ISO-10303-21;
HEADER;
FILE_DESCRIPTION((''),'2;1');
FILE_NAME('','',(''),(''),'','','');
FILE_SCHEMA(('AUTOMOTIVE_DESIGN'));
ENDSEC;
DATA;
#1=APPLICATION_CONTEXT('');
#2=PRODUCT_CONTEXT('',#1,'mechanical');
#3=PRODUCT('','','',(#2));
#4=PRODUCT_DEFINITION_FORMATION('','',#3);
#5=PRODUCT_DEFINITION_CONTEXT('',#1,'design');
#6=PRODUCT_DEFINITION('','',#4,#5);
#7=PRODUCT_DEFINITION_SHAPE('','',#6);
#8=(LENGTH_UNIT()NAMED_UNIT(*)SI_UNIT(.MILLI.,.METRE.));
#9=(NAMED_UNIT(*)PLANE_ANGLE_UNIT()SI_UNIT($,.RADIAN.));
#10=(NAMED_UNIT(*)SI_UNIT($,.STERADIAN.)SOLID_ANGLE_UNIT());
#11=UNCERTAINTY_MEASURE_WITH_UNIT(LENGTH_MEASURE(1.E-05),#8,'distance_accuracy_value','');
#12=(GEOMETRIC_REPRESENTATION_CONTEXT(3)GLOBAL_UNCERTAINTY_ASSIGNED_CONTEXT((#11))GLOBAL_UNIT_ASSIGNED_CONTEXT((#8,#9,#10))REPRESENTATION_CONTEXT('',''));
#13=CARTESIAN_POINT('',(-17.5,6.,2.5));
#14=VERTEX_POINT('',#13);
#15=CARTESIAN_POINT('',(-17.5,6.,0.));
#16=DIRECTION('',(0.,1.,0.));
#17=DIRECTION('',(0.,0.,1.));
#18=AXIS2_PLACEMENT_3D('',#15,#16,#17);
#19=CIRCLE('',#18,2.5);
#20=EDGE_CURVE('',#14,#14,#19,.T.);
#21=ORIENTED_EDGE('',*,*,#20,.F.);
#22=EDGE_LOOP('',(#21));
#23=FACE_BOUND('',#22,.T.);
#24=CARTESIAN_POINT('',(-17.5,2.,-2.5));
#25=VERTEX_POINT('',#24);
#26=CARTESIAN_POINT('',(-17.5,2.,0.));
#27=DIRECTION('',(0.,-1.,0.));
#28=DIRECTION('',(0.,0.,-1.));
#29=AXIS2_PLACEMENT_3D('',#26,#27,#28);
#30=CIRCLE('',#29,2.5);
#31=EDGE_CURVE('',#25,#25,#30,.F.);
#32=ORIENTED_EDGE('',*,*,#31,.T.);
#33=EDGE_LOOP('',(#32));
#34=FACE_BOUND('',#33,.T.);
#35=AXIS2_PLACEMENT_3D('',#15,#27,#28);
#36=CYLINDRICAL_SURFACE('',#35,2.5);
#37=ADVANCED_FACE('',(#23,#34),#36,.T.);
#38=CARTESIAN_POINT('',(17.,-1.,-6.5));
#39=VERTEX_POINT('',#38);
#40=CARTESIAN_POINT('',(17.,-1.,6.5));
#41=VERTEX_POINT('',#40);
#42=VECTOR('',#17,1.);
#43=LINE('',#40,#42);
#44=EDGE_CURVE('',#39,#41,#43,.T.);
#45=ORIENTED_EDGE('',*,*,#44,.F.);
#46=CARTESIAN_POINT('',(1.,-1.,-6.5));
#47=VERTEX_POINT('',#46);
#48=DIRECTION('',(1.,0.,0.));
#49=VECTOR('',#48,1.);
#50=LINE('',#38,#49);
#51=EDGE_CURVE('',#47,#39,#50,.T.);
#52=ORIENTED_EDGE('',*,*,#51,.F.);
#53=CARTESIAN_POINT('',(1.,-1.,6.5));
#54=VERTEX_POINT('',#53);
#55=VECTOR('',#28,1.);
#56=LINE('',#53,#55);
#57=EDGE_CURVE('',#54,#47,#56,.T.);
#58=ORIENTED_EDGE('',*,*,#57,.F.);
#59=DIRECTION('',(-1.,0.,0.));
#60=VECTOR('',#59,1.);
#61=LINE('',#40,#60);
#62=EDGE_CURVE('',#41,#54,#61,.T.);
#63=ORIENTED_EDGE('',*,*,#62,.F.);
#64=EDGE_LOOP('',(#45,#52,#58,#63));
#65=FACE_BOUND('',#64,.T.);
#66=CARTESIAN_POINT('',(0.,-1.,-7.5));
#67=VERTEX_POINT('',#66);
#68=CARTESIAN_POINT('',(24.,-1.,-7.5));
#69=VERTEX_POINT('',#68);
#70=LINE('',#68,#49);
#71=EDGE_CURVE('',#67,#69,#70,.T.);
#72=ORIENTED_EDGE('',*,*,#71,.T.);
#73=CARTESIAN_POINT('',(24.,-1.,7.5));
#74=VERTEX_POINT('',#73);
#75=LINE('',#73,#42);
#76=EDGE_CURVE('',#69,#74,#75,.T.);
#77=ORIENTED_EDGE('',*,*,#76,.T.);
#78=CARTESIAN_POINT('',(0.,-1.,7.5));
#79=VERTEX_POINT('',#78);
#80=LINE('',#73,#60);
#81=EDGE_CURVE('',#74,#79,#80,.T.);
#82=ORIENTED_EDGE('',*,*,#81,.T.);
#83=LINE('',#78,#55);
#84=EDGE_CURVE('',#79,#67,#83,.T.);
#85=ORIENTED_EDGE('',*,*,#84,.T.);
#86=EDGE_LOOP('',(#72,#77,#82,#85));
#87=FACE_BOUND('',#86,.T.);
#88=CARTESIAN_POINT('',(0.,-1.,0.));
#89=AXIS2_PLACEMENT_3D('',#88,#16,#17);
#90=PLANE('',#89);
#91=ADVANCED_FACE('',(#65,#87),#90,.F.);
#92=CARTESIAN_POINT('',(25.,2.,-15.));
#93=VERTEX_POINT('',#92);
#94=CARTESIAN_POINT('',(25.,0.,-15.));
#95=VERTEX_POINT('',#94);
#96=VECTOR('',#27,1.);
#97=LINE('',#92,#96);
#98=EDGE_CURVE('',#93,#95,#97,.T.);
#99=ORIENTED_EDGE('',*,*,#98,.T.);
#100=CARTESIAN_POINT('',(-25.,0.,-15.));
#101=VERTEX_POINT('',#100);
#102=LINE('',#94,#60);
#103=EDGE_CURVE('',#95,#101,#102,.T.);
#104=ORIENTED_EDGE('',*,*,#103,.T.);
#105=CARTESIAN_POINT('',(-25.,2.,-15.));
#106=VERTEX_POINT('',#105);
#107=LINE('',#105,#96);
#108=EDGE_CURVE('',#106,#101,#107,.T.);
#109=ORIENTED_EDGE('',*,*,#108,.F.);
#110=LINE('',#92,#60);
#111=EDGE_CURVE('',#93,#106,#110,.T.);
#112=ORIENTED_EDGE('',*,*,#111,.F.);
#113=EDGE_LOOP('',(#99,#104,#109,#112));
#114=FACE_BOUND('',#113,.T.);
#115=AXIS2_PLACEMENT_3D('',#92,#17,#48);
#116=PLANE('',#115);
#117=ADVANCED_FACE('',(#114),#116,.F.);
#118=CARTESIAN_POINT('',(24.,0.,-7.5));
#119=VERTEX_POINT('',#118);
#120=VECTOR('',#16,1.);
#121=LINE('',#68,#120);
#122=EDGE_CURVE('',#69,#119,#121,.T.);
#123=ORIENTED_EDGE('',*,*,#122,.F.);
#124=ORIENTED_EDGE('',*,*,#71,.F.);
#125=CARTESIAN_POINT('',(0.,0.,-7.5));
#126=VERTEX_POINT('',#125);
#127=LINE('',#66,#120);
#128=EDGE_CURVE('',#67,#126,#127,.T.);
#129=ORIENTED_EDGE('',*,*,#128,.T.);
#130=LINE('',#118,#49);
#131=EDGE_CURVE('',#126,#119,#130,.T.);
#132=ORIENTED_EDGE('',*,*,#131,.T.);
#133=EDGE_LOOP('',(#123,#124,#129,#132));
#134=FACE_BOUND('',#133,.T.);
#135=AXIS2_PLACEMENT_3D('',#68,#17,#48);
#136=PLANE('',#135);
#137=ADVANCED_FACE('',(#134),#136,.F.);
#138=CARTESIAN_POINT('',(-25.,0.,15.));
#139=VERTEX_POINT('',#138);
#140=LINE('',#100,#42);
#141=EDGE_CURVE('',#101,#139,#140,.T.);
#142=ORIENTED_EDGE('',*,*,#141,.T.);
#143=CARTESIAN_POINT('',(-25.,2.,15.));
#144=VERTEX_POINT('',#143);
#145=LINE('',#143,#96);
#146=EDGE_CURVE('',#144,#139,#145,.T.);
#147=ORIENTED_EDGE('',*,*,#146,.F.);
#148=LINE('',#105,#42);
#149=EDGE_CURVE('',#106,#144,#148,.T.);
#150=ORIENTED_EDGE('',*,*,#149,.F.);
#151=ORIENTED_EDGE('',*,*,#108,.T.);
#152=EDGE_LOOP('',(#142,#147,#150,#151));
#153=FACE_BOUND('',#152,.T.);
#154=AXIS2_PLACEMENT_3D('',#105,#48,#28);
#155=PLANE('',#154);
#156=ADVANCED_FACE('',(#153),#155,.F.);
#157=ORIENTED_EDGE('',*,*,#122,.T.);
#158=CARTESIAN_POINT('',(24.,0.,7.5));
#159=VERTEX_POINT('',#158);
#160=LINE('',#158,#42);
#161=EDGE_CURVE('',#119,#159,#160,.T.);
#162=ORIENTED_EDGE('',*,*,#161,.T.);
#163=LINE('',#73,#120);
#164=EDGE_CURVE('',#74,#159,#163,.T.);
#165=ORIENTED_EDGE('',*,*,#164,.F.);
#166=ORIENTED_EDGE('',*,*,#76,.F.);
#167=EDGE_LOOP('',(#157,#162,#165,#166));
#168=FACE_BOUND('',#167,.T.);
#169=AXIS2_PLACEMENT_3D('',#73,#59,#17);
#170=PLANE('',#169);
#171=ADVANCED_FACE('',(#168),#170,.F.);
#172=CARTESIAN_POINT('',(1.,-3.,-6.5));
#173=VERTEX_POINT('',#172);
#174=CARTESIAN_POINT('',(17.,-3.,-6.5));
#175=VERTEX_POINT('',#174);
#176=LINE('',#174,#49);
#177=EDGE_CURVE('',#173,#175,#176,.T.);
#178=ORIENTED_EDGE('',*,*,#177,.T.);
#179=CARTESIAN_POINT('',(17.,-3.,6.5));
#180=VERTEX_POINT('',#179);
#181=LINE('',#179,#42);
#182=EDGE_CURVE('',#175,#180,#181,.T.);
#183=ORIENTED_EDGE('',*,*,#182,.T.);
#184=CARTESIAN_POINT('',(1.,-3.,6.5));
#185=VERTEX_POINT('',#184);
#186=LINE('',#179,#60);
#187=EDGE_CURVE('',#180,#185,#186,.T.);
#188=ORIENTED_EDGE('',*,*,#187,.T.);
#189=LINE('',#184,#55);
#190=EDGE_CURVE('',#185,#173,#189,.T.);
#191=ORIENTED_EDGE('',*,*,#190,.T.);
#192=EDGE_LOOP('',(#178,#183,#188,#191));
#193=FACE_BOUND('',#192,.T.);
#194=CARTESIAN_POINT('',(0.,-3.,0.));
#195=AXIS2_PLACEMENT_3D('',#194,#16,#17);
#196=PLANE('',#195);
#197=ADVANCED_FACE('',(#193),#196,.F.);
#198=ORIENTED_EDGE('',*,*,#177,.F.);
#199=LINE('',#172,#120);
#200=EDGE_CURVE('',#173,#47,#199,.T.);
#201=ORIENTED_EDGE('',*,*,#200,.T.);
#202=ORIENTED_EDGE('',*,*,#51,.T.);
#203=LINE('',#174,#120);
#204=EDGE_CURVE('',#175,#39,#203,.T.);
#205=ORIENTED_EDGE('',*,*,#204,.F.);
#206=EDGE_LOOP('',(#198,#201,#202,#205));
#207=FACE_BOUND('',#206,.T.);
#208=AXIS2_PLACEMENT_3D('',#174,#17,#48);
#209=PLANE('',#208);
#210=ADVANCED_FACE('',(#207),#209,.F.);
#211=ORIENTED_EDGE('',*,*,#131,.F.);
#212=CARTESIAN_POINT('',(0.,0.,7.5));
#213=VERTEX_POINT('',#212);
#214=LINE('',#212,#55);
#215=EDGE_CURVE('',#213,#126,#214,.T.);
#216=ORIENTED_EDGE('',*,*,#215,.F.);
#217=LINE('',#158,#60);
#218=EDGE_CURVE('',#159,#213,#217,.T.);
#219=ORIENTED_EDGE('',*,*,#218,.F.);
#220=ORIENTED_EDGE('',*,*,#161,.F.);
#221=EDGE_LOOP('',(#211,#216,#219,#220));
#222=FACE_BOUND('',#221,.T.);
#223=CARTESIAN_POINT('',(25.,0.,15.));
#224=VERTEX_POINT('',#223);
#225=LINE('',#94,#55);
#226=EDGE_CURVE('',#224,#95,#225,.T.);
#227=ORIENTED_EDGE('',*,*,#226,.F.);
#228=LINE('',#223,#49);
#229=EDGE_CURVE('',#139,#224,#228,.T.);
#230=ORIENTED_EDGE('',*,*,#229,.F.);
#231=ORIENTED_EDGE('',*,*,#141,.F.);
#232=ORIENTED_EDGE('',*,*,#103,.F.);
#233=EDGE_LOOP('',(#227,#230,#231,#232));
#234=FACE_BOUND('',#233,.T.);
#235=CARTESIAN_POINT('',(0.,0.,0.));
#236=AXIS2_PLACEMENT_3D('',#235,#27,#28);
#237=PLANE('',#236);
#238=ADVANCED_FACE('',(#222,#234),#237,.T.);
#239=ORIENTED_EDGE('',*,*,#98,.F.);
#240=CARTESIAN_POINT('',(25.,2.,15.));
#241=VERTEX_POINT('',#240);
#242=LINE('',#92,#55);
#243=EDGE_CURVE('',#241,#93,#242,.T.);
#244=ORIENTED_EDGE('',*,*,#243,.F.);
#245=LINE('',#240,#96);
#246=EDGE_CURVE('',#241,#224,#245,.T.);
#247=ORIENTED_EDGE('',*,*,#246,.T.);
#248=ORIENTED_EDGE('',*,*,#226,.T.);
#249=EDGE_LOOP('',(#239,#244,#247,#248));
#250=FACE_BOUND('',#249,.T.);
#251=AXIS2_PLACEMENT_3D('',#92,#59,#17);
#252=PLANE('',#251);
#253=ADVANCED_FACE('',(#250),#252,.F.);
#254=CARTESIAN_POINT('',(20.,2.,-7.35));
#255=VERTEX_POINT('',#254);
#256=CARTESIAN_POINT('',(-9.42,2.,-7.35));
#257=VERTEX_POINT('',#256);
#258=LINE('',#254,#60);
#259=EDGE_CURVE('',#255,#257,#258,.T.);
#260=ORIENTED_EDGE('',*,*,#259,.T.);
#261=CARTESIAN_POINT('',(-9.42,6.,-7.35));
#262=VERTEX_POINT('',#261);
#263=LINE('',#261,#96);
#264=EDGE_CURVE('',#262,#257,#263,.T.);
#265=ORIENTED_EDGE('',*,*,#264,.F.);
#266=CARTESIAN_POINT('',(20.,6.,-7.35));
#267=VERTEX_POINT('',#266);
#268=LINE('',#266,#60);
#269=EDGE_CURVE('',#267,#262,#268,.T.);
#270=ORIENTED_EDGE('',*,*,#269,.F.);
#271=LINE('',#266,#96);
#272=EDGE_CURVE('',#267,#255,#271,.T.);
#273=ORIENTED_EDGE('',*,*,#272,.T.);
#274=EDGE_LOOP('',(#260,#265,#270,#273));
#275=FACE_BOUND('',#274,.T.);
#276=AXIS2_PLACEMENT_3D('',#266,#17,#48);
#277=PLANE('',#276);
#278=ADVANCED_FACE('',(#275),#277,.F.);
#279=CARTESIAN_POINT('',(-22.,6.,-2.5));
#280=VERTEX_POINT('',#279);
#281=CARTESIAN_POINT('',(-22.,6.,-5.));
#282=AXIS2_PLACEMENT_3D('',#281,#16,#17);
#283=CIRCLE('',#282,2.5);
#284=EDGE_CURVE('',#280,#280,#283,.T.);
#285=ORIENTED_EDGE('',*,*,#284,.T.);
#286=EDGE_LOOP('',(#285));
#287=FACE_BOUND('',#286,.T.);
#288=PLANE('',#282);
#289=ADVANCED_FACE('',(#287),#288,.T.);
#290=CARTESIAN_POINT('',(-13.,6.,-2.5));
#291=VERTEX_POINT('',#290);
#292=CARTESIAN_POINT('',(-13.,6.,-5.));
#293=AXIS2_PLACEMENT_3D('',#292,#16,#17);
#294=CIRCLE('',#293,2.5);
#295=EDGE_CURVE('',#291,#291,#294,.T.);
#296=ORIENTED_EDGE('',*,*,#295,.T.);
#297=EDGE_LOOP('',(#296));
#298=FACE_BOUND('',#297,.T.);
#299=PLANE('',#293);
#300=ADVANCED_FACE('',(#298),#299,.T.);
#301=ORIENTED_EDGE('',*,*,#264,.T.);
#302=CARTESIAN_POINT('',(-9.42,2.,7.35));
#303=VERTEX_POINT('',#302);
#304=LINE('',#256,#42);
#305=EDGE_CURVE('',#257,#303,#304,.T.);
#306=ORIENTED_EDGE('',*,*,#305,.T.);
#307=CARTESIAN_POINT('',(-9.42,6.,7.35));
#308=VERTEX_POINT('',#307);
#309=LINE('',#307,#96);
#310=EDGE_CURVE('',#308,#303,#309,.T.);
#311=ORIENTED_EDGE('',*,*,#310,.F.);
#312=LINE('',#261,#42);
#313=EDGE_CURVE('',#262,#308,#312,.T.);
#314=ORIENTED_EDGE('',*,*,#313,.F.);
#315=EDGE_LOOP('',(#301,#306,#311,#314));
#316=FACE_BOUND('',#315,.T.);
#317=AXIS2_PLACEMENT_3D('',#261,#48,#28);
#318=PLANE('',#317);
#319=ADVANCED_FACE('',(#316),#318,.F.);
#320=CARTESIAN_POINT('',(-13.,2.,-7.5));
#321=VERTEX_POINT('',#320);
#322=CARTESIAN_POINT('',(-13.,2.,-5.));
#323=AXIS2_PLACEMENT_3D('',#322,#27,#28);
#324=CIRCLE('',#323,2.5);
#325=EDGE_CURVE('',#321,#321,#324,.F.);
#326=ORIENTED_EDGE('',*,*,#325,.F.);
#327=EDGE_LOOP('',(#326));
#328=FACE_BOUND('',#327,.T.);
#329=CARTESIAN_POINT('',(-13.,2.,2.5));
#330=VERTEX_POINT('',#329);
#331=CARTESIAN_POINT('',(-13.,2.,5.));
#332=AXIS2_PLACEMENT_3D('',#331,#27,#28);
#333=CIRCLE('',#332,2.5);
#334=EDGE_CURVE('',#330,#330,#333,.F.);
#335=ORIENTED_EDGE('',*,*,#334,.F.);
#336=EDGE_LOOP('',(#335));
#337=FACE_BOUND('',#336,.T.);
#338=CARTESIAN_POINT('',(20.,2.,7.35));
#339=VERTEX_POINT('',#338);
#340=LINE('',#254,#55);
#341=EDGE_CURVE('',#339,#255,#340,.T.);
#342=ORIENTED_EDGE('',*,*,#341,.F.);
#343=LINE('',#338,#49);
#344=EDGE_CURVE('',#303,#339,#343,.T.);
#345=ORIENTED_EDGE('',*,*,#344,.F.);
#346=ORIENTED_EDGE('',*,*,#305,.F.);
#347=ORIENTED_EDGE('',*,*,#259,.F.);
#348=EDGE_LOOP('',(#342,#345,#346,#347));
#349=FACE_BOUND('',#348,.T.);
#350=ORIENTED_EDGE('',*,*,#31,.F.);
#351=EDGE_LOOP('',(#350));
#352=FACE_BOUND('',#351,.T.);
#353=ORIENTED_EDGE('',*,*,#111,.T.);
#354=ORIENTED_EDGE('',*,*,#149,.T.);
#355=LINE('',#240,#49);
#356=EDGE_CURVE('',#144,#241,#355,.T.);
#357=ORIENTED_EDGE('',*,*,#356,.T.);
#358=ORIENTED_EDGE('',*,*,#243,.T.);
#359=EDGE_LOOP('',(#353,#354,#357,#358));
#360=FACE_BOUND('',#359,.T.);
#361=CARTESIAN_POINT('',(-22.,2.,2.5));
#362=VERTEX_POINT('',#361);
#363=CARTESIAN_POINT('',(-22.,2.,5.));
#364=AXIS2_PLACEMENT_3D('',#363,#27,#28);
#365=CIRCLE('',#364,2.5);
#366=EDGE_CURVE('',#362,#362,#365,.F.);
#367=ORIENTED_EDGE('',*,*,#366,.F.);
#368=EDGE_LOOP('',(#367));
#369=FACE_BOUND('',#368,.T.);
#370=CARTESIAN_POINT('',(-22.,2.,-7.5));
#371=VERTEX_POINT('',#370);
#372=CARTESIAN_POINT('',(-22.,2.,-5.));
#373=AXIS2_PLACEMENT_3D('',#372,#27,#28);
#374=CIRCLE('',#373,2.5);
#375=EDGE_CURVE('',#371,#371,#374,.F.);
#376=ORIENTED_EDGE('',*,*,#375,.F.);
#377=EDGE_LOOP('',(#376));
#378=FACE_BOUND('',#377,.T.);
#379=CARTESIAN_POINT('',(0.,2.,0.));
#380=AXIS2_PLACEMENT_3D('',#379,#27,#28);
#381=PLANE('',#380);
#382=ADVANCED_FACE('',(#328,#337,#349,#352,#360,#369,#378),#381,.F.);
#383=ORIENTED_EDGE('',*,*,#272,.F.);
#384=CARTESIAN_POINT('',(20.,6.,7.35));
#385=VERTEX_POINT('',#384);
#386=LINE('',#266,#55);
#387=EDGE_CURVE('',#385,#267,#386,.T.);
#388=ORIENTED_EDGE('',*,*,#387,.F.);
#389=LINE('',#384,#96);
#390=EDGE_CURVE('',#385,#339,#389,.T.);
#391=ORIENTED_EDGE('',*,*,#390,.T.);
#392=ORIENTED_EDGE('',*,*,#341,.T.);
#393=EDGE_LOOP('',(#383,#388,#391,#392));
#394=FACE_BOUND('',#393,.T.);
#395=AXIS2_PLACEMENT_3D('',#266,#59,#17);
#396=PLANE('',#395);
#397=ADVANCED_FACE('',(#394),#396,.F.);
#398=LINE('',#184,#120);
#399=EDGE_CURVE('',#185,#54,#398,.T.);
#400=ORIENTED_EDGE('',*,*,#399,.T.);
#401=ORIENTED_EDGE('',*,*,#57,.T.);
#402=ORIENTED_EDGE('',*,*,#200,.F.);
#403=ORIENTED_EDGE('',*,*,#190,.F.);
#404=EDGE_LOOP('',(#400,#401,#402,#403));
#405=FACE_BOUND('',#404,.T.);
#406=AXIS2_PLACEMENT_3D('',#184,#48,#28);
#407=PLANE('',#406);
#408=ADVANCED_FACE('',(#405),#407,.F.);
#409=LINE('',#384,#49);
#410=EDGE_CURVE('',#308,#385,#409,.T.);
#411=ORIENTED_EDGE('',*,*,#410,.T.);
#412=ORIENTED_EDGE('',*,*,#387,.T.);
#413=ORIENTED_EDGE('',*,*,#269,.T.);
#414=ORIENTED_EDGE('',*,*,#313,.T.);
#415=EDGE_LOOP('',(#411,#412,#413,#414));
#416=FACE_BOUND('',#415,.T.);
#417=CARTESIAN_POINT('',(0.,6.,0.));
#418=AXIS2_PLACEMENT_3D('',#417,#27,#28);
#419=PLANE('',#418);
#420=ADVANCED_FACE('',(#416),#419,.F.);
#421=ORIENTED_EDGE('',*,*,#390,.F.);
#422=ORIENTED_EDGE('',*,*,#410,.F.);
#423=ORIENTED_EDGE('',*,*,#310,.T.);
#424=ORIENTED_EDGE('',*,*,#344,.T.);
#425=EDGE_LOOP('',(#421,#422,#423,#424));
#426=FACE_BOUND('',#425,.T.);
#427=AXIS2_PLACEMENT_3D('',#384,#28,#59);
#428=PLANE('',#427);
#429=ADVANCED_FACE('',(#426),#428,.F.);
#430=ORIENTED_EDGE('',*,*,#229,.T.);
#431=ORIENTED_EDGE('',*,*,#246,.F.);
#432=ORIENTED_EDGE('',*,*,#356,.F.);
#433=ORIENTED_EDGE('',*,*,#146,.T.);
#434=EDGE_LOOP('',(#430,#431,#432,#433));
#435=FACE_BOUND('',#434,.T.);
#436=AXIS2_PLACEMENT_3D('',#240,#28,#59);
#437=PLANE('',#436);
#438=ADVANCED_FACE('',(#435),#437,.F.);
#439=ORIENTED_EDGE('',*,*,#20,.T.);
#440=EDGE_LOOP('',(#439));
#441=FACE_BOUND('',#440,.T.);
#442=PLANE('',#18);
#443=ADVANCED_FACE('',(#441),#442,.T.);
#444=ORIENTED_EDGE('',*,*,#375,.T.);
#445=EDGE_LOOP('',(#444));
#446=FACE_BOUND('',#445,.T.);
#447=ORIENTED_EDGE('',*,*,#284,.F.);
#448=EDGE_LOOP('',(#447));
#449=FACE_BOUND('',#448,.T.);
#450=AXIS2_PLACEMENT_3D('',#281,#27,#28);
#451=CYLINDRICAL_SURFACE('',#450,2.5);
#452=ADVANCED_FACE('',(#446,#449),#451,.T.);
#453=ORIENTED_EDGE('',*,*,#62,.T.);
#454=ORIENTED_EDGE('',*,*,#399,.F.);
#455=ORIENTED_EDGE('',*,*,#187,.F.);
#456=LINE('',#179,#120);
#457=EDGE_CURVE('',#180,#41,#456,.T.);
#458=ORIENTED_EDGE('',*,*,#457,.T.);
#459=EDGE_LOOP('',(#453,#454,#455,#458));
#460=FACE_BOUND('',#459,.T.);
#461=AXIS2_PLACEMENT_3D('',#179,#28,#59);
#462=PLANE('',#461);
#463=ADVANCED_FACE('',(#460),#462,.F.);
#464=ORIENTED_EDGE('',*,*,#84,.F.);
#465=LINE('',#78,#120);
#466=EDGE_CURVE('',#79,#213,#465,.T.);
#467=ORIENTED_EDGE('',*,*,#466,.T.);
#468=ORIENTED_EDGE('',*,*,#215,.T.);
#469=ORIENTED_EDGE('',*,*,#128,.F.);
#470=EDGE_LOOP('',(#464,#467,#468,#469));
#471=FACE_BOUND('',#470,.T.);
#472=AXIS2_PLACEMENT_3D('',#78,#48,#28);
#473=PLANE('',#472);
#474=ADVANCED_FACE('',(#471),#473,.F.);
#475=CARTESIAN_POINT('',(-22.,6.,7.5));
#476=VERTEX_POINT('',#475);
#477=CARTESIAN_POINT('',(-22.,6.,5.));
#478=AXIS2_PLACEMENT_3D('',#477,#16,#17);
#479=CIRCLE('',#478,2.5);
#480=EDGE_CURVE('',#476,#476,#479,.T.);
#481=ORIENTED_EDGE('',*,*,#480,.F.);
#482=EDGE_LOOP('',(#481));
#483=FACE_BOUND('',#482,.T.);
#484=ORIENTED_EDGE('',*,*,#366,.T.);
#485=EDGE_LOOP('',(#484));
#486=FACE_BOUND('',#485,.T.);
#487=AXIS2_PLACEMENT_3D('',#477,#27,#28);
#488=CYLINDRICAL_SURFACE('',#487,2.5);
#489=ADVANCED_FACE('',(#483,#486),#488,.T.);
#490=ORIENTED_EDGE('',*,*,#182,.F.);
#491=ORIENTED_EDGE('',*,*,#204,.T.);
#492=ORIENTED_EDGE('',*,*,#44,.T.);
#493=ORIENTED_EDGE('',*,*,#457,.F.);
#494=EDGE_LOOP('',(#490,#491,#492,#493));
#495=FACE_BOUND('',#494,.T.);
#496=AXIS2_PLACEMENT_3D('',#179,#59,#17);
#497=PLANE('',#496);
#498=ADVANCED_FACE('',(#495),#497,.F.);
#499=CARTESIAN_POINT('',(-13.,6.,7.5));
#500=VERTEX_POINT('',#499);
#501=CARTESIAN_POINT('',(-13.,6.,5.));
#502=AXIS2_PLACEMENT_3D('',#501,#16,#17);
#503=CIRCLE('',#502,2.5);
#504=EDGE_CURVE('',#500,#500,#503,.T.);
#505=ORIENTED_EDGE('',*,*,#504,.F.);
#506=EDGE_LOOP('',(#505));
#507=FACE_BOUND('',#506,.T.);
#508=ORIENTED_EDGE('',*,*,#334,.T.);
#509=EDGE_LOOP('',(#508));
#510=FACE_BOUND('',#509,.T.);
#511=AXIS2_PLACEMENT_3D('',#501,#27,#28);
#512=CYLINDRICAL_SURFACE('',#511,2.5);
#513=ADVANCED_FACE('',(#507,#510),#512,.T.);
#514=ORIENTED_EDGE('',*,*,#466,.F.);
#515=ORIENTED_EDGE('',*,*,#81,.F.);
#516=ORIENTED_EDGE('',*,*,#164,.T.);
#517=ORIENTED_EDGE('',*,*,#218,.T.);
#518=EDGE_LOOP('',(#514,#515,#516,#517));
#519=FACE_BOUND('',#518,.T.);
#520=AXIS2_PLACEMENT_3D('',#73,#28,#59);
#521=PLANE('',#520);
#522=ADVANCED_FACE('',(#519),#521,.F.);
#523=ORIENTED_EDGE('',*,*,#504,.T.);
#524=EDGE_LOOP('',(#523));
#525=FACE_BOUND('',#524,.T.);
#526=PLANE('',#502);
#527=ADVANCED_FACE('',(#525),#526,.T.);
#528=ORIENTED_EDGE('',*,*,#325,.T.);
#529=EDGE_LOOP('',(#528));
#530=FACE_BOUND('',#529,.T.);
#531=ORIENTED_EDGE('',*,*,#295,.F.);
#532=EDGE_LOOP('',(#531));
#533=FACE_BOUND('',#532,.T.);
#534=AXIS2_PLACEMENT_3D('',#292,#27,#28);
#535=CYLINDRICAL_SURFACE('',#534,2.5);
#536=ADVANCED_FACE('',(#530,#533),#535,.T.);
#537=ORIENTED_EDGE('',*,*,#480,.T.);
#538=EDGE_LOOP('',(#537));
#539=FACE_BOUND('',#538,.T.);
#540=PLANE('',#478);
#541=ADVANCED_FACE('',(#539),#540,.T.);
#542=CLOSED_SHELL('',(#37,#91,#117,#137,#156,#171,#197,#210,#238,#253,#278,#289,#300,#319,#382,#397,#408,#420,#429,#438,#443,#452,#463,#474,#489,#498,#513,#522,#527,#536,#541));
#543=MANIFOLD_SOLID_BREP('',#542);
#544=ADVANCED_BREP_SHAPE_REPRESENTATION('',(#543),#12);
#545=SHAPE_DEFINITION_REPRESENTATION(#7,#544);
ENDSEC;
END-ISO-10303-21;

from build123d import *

# Parameters (mm, degrees)
SKETCH_1_W      = 50
SKETCH_1_H      = 30
EXTRUDE_1_DEPTH = 2
SKETCH_2_W      = 29.42
SKETCH_2_H      = 14.7
EXTRUDE_2_DEPTH = 4
SKETCH_3_W      = 24
SKETCH_3_H      = 15
EXTRUDE_3_DEPTH = 1
SKETCH_4_W      = 16
SKETCH_4_H      = 13
EXTRUDE_4_DEPTH = 2
SKETCH_5_R      = 2.5
EXTRUDE_5_DEPTH = 4


with BuildPart() as part:
    # 草图1 → 凸台-拉伸1 (new body)
    with BuildSketch(Plane(origin=(0, 0, 0), x_dir=(1, 0, 0), z_dir=(0, 1, 0))):
        Rectangle(SKETCH_1_W, SKETCH_1_H)
    extrude(amount=EXTRUDE_1_DEPTH)

    # 草图2 → 凸台-拉伸2 (add)
    with BuildSketch(Plane(origin=(0, 2, 0), x_dir=(1, 0, 0), z_dir=(0, 1, 0))):
        with Locations((5.29, 0)):
            Rectangle(SKETCH_2_W, SKETCH_2_H)
    extrude(amount=EXTRUDE_2_DEPTH)

    # 草图3 → 凸台-拉伸3 (add)
    with BuildSketch(Plane(origin=(0, 0, 0), x_dir=(-1, 0, 0), z_dir=(0, -1, 0))):
        with Locations((-12, 0)):
            Rectangle(SKETCH_3_W, SKETCH_3_H)
    extrude(amount=EXTRUDE_3_DEPTH)

    # 草图4 → 凸台-拉伸4 (add)
    with BuildSketch(Plane.XZ.offset(1)):
        with Locations((9, 0)):
            Rectangle(SKETCH_4_W, SKETCH_4_H)
    extrude(amount=EXTRUDE_4_DEPTH)

    # 草图5 → 凸台-拉伸5 (add)
    with BuildSketch(Plane(origin=(0, 2, 0), x_dir=(1, 0, 0), z_dir=(0, 1, 0))):
        with Locations((-22, 5)):
            Circle(SKETCH_5_R)
        with Locations((-22, -5)):
            Circle(SKETCH_5_R)
        with Locations((-13, -5)):
            Circle(SKETCH_5_R)
        with Locations((-13, 5)):
            Circle(SKETCH_5_R)
        with Locations((-17.5, 0)):
            Circle(SKETCH_5_R)
    extrude(amount=EXTRUDE_5_DEPTH)


solid = part.part
